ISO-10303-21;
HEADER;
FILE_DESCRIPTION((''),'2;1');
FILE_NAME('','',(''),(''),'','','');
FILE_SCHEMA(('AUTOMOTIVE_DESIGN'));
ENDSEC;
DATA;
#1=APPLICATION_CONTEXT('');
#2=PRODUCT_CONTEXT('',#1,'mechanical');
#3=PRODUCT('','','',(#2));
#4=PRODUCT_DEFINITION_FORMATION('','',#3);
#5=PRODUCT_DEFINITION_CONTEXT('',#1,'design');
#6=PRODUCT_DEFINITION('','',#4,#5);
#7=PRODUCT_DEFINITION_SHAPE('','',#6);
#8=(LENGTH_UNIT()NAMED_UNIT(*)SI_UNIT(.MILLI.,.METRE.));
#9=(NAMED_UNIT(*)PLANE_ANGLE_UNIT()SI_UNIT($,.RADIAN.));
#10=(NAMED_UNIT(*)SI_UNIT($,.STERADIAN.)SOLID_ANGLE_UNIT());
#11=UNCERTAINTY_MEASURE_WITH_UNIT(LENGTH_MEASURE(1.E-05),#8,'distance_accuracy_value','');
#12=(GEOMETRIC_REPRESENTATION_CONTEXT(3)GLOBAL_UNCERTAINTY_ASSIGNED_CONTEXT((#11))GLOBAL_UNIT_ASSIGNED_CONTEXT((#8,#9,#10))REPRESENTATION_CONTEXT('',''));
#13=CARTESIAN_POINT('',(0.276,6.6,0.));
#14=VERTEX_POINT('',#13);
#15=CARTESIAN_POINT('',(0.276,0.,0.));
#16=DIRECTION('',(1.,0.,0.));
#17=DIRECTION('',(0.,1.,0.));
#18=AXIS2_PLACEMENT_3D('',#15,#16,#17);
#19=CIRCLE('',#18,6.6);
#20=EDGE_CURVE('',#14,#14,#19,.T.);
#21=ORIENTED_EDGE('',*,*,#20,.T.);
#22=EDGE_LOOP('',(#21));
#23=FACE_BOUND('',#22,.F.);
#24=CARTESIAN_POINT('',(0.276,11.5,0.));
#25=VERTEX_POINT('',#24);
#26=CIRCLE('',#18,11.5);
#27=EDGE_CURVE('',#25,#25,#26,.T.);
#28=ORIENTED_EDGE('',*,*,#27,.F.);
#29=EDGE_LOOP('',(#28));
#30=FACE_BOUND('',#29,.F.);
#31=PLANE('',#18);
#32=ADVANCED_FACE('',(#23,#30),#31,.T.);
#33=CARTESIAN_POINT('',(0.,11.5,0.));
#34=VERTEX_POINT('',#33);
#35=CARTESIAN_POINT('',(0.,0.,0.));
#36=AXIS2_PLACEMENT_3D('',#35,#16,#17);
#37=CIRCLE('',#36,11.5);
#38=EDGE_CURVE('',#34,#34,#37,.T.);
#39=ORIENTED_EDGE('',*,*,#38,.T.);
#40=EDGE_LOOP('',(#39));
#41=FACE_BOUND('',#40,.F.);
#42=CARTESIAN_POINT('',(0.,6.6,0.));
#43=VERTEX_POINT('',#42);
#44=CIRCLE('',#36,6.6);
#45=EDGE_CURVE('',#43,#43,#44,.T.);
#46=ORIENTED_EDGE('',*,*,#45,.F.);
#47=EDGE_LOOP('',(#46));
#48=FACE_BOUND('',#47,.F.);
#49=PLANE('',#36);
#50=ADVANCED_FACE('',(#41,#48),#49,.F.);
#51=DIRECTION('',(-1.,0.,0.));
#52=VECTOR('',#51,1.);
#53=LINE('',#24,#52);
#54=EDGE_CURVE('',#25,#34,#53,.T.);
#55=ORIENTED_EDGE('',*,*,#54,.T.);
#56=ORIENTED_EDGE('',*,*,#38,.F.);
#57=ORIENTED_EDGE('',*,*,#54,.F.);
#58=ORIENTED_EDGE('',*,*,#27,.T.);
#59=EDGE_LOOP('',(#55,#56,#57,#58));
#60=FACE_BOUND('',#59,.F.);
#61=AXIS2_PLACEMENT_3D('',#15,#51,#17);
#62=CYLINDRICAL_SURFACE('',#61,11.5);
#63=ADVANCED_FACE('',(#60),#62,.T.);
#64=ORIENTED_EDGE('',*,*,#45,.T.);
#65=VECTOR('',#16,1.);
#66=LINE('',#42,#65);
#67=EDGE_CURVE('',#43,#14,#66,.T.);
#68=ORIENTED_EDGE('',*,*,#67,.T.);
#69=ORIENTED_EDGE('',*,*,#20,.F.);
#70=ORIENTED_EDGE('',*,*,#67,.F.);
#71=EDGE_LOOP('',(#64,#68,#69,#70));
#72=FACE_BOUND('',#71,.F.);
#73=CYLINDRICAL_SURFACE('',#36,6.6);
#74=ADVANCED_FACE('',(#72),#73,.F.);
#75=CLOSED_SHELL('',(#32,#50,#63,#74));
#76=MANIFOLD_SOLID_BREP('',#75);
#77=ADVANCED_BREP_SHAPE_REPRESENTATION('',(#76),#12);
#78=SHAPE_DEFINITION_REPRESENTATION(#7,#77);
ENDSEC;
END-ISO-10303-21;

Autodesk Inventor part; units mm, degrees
sketch "Sketch_1" plane through (0, 0, 0) normal (0, 0, 1) x (1, 0, 0)
  line L0 (0.276, 0) -> (0, 0)
  line L1 (0, 6.6) -> (0.276, 6.6)
  line L2 (0.276, 6.6) -> (0.276, 11.5)
  line L3 (0.276, 11.5) -> (0, 11.5)
  line L4 (0, 11.5) -> (0, 6.6)
revolve "Revolution1" add sketch "Sketch_1" angle 360 about axis through (0.276, 0, 0) along (1, 0, 0)
ref_plane "ip_cst_4_s1_XY" through (0, 0, 0) normal (1, 0, 0) x (0, 0, -1)
ref_plane "ip_cst_4_s1_YZ" through (0, 0, 0) normal (0, 0, -1) x (0, 1, 0)
ref_plane "ip_cst_4_s1_ZX" through (0, 0, 0) normal (0, 1, 0) x (1, 0, 0)
properties part number "6000DDU Shield1"
